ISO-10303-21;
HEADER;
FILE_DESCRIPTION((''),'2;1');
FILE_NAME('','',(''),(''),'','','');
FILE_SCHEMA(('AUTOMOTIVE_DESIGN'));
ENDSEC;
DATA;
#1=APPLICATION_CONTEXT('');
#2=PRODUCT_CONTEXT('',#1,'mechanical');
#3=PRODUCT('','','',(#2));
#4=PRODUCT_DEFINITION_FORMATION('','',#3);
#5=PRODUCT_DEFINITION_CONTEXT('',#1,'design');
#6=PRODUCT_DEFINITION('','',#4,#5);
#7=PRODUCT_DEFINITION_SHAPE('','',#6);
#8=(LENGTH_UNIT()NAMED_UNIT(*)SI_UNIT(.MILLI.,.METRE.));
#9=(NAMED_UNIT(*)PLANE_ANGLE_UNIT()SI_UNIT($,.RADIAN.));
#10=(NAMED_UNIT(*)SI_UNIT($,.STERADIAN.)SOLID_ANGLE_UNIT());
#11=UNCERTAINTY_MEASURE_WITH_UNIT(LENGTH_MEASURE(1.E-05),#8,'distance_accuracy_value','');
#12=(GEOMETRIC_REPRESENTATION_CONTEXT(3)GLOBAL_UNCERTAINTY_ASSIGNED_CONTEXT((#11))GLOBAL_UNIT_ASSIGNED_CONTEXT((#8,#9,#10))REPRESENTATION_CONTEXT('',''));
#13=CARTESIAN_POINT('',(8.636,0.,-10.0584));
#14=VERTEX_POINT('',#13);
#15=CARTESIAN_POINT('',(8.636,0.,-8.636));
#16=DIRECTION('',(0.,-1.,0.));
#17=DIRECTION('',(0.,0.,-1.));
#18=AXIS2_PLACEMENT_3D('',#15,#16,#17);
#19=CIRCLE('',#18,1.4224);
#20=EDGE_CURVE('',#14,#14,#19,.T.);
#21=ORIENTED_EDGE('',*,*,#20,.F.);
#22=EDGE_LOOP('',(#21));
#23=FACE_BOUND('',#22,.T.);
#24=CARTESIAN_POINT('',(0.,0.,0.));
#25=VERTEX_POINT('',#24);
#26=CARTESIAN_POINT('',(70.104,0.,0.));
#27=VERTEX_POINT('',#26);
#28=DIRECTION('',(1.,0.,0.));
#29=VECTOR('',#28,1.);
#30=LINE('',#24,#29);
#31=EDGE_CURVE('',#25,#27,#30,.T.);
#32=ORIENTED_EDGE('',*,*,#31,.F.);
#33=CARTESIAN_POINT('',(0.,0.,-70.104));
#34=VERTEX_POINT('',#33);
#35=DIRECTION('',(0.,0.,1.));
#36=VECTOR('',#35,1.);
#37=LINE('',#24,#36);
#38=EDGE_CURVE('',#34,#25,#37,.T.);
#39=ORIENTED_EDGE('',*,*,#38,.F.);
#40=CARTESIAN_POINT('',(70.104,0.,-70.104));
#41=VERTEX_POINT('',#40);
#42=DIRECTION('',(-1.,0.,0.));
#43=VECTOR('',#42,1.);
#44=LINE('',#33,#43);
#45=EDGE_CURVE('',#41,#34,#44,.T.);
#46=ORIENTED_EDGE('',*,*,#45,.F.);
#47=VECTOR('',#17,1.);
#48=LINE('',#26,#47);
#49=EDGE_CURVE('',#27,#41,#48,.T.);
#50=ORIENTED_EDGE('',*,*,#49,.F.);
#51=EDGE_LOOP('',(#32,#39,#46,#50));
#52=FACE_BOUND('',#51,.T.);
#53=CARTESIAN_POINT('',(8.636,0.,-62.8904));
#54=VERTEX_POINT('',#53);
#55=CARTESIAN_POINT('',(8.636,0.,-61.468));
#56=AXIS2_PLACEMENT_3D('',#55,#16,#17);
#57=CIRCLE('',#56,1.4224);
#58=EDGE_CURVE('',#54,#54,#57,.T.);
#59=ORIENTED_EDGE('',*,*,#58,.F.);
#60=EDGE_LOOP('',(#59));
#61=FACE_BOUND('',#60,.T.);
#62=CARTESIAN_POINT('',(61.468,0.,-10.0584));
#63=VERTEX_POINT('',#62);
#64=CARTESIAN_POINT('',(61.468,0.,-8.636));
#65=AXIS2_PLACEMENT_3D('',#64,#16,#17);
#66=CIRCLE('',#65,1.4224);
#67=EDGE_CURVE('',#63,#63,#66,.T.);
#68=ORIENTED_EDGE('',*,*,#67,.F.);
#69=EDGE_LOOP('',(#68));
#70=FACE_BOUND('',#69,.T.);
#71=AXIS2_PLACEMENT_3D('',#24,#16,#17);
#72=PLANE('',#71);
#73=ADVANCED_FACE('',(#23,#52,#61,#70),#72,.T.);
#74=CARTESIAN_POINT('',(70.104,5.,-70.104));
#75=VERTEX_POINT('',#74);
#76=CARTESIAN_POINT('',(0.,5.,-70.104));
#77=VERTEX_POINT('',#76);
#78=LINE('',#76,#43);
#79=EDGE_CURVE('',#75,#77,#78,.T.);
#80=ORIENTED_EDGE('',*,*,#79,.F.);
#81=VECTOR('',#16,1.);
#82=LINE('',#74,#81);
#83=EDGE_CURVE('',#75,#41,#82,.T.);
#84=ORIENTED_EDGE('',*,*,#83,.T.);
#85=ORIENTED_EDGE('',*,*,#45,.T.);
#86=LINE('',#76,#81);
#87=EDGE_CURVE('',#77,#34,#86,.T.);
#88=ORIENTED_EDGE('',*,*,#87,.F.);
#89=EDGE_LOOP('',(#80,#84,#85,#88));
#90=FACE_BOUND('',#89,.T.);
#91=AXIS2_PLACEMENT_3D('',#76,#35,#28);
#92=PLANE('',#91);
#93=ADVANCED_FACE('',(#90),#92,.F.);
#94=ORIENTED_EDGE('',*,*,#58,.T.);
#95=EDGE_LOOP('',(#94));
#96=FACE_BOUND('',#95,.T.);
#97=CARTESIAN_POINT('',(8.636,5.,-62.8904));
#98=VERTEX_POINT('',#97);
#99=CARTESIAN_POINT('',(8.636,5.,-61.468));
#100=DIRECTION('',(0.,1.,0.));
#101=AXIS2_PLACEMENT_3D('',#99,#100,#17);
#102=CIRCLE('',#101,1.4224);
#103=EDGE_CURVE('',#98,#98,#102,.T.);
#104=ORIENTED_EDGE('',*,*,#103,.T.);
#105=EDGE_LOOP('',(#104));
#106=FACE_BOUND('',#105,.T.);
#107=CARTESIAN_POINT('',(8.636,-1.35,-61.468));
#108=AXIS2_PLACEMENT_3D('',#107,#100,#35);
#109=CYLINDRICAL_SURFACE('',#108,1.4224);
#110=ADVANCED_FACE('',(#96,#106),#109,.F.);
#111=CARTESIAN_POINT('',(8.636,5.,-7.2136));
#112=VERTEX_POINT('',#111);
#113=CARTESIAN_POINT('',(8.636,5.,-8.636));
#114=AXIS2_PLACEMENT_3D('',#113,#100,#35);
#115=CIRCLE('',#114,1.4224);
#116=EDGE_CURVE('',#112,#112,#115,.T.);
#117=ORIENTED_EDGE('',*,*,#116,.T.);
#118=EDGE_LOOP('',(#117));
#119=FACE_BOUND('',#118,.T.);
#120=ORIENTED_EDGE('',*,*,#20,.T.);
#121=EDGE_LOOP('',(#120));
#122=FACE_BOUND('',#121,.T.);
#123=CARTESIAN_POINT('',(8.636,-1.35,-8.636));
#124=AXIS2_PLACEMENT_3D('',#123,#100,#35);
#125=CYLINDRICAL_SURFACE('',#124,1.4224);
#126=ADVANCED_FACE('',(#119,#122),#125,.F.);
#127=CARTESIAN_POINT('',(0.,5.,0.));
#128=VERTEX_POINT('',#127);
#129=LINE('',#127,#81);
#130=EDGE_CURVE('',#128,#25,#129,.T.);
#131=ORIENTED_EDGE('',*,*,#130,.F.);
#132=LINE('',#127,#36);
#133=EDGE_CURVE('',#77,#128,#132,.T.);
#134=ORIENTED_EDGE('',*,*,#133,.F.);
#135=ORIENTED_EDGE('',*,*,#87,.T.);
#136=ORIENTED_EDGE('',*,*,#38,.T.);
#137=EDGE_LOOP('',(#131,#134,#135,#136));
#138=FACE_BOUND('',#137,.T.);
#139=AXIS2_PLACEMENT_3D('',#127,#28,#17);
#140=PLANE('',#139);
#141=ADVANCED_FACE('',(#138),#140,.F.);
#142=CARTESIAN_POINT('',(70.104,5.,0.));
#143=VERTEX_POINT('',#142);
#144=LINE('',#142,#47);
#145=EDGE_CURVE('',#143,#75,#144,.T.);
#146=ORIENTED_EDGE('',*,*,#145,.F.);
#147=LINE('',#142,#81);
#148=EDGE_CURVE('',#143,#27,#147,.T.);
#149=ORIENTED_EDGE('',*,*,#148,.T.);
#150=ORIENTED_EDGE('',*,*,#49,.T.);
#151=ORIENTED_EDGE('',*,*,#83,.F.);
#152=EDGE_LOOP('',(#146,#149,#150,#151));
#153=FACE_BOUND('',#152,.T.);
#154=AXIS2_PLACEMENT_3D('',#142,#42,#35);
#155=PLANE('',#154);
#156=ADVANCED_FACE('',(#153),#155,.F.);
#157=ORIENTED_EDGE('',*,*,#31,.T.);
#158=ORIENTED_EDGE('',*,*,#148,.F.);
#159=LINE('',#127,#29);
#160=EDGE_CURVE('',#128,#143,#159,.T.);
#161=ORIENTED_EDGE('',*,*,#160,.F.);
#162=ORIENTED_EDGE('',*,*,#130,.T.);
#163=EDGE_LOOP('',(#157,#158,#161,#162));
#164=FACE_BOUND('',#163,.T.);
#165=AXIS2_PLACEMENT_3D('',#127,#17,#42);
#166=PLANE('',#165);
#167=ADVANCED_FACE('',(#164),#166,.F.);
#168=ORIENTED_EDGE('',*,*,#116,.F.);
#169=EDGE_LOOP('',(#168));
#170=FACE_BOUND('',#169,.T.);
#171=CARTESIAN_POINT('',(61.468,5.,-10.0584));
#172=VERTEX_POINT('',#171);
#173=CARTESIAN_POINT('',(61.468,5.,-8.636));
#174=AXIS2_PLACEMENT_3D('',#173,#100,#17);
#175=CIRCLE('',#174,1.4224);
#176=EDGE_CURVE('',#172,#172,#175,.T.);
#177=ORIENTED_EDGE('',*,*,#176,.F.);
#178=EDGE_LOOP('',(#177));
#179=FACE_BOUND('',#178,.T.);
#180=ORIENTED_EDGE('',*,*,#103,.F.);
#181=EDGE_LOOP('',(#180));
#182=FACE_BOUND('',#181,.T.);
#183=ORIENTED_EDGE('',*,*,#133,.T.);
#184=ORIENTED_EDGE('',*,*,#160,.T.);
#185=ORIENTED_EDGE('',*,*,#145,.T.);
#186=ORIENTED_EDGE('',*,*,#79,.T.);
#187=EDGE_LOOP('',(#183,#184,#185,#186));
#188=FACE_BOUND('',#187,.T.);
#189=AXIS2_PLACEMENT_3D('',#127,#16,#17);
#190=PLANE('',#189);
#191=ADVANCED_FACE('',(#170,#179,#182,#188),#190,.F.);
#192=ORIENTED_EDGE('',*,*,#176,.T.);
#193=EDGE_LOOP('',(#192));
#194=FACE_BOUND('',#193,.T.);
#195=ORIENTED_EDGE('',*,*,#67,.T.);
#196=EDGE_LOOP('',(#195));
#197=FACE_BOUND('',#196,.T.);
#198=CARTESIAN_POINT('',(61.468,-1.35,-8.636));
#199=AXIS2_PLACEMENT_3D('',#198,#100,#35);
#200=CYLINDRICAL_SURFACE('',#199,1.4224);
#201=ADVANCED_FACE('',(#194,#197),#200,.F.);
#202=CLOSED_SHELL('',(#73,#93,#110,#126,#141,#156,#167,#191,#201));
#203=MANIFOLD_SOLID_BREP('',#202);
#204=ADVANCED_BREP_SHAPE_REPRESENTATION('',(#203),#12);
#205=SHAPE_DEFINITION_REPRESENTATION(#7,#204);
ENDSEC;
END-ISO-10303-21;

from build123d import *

# Parameters (mm, degrees)
SKETCH1_W           = 70.104
SKETCH1_H           = 70.104
BOSS_EXTRUDE1_DEPTH = 5
SKETCH2_R           = 1.4224
CUT_EXTRUDE1_DEPTH  = 6.35


with BuildPart() as part:
    # Sketch1 → Boss-Extrude1 (new body)
    with BuildSketch(Plane(origin=(0, 0, 0), x_dir=(1, 0, 0), z_dir=(0, 1, 0))):
        with Locations((35.052, 35.052)):
            Rectangle(SKETCH1_W, SKETCH1_H)
    extrude(amount=BOSS_EXTRUDE1_DEPTH)

    # Sketch2 → Cut-Extrude1 (cut)
    with BuildSketch(Plane(origin=(0, 5, 0), x_dir=(1, 0, 0), z_dir=(0, 1, 0))):
        with Locations((8.636, 8.636)):
            Circle(SKETCH2_R)
        with Locations((8.636, 61.468)):
            Circle(SKETCH2_R)
        with Locations((61.468, 8.636)):
            Circle(SKETCH2_R)
    extrude(amount=-CUT_EXTRUDE1_DEPTH, mode=Mode.SUBTRACT)


solid = part.part
